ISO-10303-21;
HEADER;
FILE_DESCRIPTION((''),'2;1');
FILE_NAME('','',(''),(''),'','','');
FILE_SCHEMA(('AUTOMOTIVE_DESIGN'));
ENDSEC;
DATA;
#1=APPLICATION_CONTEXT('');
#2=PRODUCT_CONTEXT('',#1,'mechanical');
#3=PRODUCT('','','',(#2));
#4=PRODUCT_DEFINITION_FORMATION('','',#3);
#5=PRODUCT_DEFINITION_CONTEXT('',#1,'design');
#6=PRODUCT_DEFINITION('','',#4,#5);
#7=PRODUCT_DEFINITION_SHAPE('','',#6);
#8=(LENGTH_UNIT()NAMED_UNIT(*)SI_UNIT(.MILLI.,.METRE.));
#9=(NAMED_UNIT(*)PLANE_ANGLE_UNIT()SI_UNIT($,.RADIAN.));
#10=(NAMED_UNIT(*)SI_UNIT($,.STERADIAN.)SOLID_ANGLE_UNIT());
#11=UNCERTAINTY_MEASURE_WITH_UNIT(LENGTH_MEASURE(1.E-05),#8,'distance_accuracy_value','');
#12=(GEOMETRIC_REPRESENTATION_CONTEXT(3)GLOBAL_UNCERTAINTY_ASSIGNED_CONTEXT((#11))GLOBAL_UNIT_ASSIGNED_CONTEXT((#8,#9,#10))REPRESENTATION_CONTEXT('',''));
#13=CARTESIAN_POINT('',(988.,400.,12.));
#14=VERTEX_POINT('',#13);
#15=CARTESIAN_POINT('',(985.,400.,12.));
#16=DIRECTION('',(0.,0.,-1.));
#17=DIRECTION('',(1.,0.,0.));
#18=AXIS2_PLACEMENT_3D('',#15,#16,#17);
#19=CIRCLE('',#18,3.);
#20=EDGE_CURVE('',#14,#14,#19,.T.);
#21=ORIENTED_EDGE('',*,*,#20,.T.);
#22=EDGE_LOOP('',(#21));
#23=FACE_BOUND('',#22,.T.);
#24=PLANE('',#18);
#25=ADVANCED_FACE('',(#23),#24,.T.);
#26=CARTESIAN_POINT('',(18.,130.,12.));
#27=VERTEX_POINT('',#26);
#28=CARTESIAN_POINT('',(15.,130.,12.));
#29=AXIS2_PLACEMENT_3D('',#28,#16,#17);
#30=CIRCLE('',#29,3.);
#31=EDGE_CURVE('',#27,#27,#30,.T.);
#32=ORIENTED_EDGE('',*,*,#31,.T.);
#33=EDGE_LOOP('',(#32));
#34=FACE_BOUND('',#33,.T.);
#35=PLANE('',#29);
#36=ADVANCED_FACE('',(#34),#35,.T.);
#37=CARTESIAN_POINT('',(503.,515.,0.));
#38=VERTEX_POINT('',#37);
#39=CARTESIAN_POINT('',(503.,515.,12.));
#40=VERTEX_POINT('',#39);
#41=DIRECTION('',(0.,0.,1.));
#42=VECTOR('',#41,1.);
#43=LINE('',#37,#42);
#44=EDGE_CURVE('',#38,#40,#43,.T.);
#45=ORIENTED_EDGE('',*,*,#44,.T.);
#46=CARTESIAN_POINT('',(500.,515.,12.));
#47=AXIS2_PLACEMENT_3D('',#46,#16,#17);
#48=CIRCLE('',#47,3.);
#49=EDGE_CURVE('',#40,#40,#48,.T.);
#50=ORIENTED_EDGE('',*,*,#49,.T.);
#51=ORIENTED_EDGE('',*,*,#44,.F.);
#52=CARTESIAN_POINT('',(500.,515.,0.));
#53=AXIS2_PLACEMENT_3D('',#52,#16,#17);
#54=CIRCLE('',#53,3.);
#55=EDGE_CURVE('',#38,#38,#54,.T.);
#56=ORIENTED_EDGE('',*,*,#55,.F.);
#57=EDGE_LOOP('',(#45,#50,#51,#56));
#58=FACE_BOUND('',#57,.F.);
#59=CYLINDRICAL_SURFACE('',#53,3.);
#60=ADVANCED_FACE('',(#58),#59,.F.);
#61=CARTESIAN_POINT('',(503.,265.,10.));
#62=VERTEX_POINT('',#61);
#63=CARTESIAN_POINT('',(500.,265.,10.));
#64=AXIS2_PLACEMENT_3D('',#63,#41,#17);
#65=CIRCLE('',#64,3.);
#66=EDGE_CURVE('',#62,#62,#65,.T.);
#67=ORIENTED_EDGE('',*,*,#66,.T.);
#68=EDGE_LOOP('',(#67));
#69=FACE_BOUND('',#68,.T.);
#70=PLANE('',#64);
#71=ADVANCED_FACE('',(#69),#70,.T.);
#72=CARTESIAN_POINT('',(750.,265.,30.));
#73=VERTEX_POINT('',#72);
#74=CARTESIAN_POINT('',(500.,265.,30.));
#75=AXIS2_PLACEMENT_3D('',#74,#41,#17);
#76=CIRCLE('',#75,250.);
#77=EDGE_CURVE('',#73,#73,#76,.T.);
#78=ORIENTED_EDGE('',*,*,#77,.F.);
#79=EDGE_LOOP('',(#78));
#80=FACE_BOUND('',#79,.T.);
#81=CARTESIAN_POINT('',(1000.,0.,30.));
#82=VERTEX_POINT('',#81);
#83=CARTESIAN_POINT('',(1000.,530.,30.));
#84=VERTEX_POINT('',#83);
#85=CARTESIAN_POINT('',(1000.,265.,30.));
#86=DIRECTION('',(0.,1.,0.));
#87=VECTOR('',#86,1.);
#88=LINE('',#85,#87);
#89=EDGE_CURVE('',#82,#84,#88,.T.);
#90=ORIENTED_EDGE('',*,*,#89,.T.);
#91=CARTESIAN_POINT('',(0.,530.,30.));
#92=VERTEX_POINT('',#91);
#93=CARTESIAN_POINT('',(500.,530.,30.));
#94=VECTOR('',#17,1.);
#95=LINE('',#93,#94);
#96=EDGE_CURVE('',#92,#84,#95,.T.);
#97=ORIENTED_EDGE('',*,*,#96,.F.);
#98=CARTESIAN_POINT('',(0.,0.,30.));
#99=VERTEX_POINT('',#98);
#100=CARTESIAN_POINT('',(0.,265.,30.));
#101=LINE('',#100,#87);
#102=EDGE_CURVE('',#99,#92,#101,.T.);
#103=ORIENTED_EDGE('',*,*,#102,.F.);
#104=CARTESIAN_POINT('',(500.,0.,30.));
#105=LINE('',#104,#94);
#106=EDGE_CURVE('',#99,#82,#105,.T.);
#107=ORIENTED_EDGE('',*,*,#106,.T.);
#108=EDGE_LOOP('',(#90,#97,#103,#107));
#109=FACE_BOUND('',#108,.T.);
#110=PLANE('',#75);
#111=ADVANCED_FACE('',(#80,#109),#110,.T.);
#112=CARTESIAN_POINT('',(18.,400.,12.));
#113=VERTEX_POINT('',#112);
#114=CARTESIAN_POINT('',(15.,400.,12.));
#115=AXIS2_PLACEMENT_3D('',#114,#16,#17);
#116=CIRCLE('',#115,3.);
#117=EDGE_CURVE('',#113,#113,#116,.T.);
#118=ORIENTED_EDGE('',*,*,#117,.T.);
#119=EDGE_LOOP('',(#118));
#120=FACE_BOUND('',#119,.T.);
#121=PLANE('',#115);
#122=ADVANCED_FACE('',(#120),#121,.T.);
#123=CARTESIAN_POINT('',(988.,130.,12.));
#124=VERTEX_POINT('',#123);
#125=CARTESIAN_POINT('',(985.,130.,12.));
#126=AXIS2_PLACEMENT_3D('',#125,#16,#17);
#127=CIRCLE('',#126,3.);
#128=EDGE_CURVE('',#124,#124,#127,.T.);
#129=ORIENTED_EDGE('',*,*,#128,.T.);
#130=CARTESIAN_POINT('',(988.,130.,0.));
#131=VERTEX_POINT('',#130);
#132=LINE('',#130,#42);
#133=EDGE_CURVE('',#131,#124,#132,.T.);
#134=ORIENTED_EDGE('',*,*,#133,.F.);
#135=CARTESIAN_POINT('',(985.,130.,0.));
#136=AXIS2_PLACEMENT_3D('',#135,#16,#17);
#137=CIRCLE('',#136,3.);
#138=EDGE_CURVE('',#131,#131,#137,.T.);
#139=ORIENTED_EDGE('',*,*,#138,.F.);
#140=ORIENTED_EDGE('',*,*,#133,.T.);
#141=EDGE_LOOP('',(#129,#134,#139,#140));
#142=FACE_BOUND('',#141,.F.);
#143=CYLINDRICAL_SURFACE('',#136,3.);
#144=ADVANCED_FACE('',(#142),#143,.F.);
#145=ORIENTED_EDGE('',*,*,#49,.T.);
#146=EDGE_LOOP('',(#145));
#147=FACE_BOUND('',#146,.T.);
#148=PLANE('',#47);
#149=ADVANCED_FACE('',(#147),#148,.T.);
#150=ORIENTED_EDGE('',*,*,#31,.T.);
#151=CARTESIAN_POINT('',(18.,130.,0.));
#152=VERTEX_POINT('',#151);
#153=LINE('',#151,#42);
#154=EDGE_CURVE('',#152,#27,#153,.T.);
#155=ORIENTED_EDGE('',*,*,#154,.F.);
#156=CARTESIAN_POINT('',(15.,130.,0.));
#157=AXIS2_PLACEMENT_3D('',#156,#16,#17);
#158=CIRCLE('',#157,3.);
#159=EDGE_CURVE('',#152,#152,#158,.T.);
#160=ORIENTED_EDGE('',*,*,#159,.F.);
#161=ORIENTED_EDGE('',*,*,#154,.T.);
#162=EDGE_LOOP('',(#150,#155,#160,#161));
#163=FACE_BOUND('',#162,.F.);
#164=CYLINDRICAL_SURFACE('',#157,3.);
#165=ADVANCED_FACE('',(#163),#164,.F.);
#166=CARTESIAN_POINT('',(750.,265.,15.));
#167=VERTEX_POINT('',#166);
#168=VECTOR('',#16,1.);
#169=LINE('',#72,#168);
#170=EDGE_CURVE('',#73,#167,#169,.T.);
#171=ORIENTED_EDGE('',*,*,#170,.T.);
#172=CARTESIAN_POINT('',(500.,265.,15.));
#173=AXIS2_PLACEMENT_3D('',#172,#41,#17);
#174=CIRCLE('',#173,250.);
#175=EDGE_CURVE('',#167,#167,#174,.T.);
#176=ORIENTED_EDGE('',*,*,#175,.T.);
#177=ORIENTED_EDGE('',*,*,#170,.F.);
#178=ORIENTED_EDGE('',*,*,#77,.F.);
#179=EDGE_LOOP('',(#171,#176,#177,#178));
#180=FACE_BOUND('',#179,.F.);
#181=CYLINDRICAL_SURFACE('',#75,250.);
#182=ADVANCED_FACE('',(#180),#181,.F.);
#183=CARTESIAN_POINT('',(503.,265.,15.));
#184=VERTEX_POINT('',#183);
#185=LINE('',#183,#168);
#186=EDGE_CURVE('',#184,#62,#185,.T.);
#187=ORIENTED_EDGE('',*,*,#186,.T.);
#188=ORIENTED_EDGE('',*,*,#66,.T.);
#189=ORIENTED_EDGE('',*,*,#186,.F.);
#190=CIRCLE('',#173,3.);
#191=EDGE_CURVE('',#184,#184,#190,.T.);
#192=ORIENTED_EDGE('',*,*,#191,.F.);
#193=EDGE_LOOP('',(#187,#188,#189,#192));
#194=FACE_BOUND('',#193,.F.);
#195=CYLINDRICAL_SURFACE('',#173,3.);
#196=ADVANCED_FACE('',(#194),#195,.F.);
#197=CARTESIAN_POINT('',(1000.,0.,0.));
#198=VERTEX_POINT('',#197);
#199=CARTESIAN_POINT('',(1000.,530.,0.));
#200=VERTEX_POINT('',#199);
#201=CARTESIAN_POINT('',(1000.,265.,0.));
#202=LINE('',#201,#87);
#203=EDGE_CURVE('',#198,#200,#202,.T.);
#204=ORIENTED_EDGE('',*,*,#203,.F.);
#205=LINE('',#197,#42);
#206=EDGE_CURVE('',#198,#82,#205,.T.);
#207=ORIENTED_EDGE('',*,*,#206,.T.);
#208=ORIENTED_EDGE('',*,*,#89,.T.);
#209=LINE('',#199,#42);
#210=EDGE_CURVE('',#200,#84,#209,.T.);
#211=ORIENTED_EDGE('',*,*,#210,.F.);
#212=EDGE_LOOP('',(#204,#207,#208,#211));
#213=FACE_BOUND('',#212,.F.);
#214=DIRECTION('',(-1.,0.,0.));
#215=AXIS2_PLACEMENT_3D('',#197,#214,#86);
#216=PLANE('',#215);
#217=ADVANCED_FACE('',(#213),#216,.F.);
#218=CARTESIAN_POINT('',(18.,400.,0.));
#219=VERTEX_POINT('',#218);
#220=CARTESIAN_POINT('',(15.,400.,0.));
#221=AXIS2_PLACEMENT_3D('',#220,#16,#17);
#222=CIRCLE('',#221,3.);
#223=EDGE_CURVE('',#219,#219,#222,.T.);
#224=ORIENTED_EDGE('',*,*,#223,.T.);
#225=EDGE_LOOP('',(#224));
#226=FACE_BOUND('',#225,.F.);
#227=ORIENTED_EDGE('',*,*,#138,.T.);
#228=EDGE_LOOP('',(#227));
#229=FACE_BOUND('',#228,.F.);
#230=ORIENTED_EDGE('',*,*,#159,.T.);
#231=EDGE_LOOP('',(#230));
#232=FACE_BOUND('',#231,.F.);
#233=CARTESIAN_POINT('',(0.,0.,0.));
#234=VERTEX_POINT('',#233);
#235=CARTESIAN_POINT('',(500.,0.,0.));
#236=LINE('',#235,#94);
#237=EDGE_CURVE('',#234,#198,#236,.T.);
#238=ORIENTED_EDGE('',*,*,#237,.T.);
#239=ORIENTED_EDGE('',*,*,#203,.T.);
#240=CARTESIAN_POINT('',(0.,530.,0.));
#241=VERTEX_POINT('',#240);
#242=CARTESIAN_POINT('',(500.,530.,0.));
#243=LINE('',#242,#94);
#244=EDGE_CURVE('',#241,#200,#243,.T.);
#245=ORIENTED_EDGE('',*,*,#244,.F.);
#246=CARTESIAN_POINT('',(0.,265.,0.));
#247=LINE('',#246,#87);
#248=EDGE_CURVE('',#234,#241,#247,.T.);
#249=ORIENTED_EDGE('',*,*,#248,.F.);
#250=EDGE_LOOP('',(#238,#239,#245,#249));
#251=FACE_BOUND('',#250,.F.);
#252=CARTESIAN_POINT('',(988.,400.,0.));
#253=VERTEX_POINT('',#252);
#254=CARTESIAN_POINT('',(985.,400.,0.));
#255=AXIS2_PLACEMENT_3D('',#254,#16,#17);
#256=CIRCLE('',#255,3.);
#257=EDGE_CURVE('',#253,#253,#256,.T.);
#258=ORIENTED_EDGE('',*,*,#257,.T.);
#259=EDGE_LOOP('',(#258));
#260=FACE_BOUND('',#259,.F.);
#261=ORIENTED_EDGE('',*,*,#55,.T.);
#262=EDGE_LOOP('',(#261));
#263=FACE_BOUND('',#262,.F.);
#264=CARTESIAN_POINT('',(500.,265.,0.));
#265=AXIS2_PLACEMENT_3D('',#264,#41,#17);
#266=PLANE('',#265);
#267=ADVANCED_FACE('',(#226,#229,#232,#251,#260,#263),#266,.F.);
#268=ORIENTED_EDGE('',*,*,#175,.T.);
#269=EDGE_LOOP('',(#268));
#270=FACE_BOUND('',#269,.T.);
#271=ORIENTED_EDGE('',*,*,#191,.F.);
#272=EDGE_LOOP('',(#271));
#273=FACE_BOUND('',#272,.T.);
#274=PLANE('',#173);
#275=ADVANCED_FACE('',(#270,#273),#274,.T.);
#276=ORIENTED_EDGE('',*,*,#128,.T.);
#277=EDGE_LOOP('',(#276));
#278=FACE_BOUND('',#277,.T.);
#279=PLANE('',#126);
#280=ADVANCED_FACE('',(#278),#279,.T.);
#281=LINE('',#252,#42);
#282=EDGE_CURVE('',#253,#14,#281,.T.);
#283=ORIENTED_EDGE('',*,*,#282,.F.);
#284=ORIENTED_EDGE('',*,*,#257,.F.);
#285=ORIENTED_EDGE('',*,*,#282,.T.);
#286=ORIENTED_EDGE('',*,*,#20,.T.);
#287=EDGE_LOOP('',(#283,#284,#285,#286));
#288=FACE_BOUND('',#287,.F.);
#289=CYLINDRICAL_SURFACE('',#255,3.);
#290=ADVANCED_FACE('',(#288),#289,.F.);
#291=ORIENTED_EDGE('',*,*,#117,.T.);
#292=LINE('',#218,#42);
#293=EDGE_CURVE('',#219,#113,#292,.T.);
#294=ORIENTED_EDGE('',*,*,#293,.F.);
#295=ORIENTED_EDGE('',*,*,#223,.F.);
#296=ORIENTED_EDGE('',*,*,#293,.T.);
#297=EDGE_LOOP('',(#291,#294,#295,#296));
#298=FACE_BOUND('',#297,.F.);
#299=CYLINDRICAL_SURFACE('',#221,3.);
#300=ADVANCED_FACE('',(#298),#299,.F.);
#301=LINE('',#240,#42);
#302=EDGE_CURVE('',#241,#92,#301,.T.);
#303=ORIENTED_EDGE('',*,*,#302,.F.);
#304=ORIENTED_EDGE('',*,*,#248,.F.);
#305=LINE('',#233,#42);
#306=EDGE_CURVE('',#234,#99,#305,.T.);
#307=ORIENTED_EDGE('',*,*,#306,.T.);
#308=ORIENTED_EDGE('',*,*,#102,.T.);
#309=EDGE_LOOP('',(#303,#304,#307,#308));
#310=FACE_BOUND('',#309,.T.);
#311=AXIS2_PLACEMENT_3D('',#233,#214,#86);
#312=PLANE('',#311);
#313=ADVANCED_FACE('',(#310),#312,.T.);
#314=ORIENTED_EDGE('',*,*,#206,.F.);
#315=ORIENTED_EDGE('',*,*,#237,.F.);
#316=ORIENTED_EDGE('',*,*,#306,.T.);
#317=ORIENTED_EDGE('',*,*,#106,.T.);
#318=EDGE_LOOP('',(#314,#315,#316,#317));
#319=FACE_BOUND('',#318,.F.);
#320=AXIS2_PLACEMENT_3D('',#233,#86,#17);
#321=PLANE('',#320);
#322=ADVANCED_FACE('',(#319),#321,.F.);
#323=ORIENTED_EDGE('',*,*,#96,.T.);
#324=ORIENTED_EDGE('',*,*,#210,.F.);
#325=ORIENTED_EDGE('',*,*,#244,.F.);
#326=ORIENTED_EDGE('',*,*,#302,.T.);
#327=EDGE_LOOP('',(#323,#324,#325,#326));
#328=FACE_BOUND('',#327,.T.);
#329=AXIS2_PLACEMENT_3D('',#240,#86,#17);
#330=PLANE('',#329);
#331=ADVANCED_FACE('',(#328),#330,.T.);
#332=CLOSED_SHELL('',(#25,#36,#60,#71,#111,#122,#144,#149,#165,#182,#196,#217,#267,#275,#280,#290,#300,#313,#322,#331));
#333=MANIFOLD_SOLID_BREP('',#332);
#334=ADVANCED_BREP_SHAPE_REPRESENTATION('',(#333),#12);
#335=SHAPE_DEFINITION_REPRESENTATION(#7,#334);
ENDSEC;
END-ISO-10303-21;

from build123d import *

# Parameters (mm, degrees)
F0_W      = 1000
F0_H      = 530
F1_DEPTH  = 30
F2_R      = 3
F3_DEPTH  = 12
F4_R      = 3
F5_DEPTH  = 12
F7_R      = 3
F8_DEPTH  = 12
F9_R      = 3
F10_DEPTH = 12
F6_R      = 250
F11_DEPTH = 15
F12_R     = 3
F13_DEPTH = 5
F14_R     = 3
F15_DEPTH = 12


with BuildPart() as f1:
    # F0 (on Top) → F1 (new body)
    with BuildSketch(Plane.XY):
        with Locations((500, 265)):
            Rectangle(F0_W, F0_H)
    extrude(amount=F1_DEPTH)

    # F2 (on face) → F3 (cut)
    with BuildSketch(Plane(origin=(0, 0, 0), x_dir=(1, 0, 0), z_dir=(0, 0, -1))):
        with Locations((985, -130)):
            Circle(F2_R)
    extrude(amount=-F3_DEPTH, mode=Mode.SUBTRACT)

    # F4 (on face) → F5 (cut)
    with BuildSketch(Plane(origin=(0, 0, 0), x_dir=(1, 0, 0), z_dir=(0, 0, -1))):
        with Locations((15, -130)):
            Circle(F4_R)
    extrude(amount=-F5_DEPTH, mode=Mode.SUBTRACT)

    # F7 (on face) → F8 (cut)
    with BuildSketch(Plane(origin=(0, 0, 0), x_dir=(1, 0, 0), z_dir=(0, 0, -1))):
        with Locations((985, -400)):
            Circle(F7_R)
    extrude(amount=-F8_DEPTH, mode=Mode.SUBTRACT)

    # F9 (on face) → F10 (cut)
    with BuildSketch(Plane(origin=(0, 0, 0), x_dir=(1, 0, 0), z_dir=(0, 0, -1))):
        with Locations((15, -400)):
            Circle(F9_R)
    extrude(amount=-F10_DEPTH, mode=Mode.SUBTRACT)

    # F6 (on face) → F11 (cut)
    with BuildSketch(Plane.XY.offset(30)):
        with Locations((500, 265)):
            Circle(F6_R)
    extrude(amount=-F11_DEPTH, mode=Mode.SUBTRACT)

    # F12 (on face) → F13 (cut)
    with BuildSketch(Plane.XY.offset(15)):
        with Locations((500, 265)):
            Circle(F12_R)
    extrude(amount=-F13_DEPTH, mode=Mode.SUBTRACT)

    # F14 (on face) → F15 (cut)
    with BuildSketch(Plane(origin=(0, 0, 0), x_dir=(1, 0, 0), z_dir=(0, 0, -1))):
        with Locations((500, -515)):
            Circle(F14_R)
    extrude(amount=-F15_DEPTH, mode=Mode.SUBTRACT)


solid = f1.part
